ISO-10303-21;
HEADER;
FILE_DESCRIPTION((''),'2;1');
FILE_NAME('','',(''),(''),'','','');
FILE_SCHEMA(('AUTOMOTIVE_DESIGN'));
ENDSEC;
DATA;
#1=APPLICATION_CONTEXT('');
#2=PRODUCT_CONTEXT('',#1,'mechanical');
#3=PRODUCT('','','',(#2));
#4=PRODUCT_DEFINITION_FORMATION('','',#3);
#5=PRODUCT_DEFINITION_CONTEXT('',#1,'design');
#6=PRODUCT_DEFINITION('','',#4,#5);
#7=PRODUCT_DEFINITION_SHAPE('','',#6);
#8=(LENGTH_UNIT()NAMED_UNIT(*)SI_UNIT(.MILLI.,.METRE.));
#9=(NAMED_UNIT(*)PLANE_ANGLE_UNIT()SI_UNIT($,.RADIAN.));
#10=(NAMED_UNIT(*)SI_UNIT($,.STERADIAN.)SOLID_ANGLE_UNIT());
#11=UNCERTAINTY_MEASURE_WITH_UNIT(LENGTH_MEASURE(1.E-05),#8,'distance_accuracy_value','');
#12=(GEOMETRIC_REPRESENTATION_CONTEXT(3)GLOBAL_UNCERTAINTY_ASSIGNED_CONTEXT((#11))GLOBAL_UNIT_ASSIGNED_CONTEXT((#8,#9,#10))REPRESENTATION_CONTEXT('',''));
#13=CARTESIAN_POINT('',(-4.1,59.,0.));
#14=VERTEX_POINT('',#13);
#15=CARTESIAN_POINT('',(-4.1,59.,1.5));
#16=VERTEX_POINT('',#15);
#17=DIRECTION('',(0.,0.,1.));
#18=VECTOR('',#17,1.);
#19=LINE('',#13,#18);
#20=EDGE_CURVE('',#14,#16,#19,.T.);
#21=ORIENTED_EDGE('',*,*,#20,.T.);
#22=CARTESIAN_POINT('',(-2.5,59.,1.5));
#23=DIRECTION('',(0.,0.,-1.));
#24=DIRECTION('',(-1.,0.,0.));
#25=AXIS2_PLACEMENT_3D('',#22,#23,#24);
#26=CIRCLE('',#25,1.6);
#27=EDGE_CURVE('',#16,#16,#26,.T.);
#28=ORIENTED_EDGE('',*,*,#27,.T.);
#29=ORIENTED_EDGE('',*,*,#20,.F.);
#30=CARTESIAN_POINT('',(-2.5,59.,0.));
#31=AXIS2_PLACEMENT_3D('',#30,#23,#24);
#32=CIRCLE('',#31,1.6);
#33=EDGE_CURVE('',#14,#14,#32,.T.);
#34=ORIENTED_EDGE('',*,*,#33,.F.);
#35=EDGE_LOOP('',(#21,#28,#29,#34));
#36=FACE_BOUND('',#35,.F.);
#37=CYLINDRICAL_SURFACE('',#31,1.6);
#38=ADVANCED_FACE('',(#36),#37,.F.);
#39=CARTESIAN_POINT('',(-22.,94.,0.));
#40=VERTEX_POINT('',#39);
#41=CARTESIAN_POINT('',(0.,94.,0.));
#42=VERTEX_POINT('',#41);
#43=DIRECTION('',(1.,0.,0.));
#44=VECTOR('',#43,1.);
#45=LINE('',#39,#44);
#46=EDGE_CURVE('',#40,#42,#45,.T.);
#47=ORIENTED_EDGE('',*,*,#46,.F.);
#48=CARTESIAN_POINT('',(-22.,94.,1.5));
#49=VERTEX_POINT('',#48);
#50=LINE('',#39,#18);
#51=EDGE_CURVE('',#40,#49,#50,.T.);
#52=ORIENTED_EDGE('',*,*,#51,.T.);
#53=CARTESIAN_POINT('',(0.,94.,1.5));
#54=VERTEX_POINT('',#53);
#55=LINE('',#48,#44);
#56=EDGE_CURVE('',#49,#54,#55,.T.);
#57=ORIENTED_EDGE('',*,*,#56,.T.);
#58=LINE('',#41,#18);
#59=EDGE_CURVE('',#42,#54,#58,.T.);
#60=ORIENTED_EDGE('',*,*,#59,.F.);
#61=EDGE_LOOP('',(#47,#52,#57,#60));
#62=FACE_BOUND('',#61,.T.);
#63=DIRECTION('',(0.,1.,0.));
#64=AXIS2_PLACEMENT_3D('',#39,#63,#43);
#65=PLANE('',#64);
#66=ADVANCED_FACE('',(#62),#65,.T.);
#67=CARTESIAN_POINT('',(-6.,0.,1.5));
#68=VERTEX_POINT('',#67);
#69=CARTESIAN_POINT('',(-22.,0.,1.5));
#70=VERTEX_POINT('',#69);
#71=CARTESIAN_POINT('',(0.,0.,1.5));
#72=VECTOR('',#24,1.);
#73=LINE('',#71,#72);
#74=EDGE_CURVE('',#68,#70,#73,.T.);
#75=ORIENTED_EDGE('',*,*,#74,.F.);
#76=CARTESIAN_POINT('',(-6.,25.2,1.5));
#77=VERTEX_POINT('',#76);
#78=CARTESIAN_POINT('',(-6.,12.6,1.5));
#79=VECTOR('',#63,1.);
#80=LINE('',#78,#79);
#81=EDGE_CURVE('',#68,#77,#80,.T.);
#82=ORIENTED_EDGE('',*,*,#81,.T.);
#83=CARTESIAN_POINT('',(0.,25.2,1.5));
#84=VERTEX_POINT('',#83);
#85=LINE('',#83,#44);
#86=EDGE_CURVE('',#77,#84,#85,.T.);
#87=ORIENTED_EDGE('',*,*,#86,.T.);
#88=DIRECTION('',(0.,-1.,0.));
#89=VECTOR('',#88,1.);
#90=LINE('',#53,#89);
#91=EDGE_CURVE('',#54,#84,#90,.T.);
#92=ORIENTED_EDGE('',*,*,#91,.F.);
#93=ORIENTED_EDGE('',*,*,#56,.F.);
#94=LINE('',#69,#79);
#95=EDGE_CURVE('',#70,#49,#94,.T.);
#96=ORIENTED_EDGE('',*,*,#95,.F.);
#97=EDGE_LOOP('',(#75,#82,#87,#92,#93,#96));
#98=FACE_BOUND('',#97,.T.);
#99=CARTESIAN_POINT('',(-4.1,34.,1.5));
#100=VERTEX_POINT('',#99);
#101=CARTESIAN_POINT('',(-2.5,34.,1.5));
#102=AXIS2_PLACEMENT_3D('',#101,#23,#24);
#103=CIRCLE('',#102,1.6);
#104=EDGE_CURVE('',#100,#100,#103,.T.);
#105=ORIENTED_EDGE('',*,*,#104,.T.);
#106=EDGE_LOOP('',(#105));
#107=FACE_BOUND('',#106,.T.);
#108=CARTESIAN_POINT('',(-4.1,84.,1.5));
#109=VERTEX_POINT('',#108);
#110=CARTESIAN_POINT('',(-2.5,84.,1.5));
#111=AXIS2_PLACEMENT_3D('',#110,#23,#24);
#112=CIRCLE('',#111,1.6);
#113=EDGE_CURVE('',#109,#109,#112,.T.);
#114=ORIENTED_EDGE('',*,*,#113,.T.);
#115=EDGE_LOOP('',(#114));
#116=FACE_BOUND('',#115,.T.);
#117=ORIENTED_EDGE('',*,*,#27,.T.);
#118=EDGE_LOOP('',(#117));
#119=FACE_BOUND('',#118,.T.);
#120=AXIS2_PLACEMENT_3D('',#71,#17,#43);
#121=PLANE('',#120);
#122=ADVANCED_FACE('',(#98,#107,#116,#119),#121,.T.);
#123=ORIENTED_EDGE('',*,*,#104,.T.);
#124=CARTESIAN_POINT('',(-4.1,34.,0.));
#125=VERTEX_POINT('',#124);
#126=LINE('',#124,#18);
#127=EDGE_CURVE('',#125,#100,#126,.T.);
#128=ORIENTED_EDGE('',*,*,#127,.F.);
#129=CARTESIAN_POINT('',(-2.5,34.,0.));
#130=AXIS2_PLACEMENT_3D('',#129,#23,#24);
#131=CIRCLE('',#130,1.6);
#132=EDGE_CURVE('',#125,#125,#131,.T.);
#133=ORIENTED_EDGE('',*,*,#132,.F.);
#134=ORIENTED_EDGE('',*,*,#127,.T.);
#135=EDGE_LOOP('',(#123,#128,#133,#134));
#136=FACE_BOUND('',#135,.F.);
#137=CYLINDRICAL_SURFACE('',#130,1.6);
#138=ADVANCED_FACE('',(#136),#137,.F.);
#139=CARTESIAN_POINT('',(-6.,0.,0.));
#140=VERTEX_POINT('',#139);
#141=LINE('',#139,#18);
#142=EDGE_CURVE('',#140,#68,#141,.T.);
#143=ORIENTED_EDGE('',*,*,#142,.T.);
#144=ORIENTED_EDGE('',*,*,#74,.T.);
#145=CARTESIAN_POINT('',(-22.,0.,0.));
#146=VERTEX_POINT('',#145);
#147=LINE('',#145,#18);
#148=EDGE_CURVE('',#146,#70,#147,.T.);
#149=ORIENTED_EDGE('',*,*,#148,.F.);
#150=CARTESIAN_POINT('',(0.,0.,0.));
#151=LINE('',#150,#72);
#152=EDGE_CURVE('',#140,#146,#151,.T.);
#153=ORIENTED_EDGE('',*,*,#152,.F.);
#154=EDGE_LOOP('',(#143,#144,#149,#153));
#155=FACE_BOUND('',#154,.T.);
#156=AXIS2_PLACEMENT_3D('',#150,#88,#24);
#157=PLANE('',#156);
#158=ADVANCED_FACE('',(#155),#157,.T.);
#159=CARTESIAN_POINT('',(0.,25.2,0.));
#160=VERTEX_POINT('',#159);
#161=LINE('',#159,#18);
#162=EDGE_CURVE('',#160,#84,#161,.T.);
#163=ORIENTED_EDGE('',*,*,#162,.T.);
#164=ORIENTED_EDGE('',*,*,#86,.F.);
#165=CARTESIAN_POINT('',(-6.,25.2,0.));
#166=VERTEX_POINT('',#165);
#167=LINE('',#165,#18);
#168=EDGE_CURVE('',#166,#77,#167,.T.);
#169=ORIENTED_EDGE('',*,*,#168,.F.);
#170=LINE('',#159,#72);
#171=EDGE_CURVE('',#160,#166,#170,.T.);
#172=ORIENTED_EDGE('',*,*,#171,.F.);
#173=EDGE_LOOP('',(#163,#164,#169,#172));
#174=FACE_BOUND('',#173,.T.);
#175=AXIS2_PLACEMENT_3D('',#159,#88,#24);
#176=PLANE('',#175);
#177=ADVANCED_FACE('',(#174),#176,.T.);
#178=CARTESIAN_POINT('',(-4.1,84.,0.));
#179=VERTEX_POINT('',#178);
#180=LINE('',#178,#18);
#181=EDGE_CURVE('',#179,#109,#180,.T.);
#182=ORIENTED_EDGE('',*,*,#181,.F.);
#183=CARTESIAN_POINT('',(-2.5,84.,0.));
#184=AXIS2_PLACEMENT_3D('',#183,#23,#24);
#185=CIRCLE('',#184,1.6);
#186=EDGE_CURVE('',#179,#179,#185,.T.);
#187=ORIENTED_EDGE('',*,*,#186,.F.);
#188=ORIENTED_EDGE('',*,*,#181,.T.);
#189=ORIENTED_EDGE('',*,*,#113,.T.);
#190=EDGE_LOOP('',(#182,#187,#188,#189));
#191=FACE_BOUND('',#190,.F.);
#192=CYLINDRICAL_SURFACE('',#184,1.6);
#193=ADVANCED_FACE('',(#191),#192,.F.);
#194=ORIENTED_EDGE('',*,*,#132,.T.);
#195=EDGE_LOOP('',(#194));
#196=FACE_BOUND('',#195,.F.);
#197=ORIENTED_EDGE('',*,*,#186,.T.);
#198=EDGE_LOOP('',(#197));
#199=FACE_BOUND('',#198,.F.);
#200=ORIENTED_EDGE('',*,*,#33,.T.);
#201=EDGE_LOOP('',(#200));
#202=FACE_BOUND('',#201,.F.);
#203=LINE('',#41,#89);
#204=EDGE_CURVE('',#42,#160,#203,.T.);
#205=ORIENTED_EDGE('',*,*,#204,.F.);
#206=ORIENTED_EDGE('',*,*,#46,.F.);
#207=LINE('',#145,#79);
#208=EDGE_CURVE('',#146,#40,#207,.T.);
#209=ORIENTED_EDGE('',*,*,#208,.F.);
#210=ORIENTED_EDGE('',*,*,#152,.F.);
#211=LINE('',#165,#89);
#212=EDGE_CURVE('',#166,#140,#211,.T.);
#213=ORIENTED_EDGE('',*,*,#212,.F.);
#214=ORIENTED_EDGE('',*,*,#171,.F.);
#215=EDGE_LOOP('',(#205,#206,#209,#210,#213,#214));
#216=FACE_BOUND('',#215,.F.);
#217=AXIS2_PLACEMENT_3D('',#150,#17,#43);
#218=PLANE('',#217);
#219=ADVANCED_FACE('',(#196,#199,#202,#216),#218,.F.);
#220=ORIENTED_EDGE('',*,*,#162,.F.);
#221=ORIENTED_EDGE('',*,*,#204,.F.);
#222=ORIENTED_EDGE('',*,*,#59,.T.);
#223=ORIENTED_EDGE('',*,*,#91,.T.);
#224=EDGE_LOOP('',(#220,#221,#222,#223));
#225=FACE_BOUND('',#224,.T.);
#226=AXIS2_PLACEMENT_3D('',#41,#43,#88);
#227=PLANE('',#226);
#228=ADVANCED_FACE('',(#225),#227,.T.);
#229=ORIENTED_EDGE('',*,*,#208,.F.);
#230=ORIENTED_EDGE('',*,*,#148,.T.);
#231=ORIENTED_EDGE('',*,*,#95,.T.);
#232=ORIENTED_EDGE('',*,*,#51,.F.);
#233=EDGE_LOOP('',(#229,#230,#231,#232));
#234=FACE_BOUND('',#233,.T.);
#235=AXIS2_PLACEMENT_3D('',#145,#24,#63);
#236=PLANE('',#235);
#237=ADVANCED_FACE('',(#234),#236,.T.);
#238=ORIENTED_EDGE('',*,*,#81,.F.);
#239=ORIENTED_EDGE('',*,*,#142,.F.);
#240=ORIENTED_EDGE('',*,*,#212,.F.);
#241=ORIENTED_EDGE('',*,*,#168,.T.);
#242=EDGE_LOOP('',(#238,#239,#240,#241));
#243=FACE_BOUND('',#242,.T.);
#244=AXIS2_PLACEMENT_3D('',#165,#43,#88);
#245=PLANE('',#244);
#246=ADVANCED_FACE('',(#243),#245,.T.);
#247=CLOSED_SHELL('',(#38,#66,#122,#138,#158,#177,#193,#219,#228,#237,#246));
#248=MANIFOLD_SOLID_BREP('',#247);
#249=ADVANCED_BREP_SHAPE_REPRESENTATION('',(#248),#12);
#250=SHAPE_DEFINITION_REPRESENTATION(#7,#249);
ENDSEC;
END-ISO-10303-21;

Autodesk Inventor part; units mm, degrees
ref_plane "YZ Plane" through (0, 0, 0) normal (1, 0, 0) x (0, 1, 0)
ref_plane "XZ Plane" through (0, 0, 0) normal (0, 1, 0) x (-1, 0, 0)
ref_plane "XY Plane" through (0, 0, 0) normal (0, 0, 1) x (1, 0, 0)
sketch "スケッチ1" plane through (0, 0, 0) normal (0, 0, 1) x (1, 0, 0)
  line L0 (0, 0) -> (-22, 0)
  line L1 (-22, 0) -> (-22, 94)
  line L2 (-22, 94) -> (0, 94)
  line L3 (0, 94) -> (0, 0)
  dimension "d0" = 22
  dimension "d1" = 94
extrude "押し出し1" add sketch "スケッチ1" along normal blind 1.5
sketch "スケッチ2" plane through (0, 0, 0) normal (0, 0, -1) x (-1, 0, 0)
  line L0 (5, 24.2) -> (5, 94) projected
  circle A0 centre (2.5, 84) radius 1.6
  line L1 (0, 94) -> (22, 94) projected
  line L2 (5, 94) -> (0, 94)
  circle A1 centre (2.5, 59) radius 1.6
  circle A2 centre (2.5, 34) radius 1.6
  circle A3 centre (2.5, 9) radius 1.6
  point P0 (0, 0)
  point P1 (2.5, 94)
  dimension "d4" = 3.2
  dimension "d5" = 10
  dimension "d8" = 25
extrude "押し出し2" cut sketch "スケッチ2" against normal through all
sketch "スケッチ3" plane through (0, 0, 0) normal (0, 0, -1) x (-1, 0, 0)
  line L0 (3.2909, 24.2) -> (5, 24.2) projected
  line L1 (0, 0) -> (0, 94) projected
  line L2 (0, 25.2) -> (6, 25.2)
  line L3 (6, 25.2) -> (6, 0)
  line L4 (6, 0) -> (0, 0)
  line L5 (0, 0) -> (0, 25.2)
  line L6 (5, 14.2) -> (5, 24.2) projected
  line L7 (22, 0) -> (0, 0) projected
  dimension "d15" = 1
  dimension "d16" = 1
extrude "押し出し3" cut sketch "スケッチ3" against normal through all
properties part number "rail_backcover"
